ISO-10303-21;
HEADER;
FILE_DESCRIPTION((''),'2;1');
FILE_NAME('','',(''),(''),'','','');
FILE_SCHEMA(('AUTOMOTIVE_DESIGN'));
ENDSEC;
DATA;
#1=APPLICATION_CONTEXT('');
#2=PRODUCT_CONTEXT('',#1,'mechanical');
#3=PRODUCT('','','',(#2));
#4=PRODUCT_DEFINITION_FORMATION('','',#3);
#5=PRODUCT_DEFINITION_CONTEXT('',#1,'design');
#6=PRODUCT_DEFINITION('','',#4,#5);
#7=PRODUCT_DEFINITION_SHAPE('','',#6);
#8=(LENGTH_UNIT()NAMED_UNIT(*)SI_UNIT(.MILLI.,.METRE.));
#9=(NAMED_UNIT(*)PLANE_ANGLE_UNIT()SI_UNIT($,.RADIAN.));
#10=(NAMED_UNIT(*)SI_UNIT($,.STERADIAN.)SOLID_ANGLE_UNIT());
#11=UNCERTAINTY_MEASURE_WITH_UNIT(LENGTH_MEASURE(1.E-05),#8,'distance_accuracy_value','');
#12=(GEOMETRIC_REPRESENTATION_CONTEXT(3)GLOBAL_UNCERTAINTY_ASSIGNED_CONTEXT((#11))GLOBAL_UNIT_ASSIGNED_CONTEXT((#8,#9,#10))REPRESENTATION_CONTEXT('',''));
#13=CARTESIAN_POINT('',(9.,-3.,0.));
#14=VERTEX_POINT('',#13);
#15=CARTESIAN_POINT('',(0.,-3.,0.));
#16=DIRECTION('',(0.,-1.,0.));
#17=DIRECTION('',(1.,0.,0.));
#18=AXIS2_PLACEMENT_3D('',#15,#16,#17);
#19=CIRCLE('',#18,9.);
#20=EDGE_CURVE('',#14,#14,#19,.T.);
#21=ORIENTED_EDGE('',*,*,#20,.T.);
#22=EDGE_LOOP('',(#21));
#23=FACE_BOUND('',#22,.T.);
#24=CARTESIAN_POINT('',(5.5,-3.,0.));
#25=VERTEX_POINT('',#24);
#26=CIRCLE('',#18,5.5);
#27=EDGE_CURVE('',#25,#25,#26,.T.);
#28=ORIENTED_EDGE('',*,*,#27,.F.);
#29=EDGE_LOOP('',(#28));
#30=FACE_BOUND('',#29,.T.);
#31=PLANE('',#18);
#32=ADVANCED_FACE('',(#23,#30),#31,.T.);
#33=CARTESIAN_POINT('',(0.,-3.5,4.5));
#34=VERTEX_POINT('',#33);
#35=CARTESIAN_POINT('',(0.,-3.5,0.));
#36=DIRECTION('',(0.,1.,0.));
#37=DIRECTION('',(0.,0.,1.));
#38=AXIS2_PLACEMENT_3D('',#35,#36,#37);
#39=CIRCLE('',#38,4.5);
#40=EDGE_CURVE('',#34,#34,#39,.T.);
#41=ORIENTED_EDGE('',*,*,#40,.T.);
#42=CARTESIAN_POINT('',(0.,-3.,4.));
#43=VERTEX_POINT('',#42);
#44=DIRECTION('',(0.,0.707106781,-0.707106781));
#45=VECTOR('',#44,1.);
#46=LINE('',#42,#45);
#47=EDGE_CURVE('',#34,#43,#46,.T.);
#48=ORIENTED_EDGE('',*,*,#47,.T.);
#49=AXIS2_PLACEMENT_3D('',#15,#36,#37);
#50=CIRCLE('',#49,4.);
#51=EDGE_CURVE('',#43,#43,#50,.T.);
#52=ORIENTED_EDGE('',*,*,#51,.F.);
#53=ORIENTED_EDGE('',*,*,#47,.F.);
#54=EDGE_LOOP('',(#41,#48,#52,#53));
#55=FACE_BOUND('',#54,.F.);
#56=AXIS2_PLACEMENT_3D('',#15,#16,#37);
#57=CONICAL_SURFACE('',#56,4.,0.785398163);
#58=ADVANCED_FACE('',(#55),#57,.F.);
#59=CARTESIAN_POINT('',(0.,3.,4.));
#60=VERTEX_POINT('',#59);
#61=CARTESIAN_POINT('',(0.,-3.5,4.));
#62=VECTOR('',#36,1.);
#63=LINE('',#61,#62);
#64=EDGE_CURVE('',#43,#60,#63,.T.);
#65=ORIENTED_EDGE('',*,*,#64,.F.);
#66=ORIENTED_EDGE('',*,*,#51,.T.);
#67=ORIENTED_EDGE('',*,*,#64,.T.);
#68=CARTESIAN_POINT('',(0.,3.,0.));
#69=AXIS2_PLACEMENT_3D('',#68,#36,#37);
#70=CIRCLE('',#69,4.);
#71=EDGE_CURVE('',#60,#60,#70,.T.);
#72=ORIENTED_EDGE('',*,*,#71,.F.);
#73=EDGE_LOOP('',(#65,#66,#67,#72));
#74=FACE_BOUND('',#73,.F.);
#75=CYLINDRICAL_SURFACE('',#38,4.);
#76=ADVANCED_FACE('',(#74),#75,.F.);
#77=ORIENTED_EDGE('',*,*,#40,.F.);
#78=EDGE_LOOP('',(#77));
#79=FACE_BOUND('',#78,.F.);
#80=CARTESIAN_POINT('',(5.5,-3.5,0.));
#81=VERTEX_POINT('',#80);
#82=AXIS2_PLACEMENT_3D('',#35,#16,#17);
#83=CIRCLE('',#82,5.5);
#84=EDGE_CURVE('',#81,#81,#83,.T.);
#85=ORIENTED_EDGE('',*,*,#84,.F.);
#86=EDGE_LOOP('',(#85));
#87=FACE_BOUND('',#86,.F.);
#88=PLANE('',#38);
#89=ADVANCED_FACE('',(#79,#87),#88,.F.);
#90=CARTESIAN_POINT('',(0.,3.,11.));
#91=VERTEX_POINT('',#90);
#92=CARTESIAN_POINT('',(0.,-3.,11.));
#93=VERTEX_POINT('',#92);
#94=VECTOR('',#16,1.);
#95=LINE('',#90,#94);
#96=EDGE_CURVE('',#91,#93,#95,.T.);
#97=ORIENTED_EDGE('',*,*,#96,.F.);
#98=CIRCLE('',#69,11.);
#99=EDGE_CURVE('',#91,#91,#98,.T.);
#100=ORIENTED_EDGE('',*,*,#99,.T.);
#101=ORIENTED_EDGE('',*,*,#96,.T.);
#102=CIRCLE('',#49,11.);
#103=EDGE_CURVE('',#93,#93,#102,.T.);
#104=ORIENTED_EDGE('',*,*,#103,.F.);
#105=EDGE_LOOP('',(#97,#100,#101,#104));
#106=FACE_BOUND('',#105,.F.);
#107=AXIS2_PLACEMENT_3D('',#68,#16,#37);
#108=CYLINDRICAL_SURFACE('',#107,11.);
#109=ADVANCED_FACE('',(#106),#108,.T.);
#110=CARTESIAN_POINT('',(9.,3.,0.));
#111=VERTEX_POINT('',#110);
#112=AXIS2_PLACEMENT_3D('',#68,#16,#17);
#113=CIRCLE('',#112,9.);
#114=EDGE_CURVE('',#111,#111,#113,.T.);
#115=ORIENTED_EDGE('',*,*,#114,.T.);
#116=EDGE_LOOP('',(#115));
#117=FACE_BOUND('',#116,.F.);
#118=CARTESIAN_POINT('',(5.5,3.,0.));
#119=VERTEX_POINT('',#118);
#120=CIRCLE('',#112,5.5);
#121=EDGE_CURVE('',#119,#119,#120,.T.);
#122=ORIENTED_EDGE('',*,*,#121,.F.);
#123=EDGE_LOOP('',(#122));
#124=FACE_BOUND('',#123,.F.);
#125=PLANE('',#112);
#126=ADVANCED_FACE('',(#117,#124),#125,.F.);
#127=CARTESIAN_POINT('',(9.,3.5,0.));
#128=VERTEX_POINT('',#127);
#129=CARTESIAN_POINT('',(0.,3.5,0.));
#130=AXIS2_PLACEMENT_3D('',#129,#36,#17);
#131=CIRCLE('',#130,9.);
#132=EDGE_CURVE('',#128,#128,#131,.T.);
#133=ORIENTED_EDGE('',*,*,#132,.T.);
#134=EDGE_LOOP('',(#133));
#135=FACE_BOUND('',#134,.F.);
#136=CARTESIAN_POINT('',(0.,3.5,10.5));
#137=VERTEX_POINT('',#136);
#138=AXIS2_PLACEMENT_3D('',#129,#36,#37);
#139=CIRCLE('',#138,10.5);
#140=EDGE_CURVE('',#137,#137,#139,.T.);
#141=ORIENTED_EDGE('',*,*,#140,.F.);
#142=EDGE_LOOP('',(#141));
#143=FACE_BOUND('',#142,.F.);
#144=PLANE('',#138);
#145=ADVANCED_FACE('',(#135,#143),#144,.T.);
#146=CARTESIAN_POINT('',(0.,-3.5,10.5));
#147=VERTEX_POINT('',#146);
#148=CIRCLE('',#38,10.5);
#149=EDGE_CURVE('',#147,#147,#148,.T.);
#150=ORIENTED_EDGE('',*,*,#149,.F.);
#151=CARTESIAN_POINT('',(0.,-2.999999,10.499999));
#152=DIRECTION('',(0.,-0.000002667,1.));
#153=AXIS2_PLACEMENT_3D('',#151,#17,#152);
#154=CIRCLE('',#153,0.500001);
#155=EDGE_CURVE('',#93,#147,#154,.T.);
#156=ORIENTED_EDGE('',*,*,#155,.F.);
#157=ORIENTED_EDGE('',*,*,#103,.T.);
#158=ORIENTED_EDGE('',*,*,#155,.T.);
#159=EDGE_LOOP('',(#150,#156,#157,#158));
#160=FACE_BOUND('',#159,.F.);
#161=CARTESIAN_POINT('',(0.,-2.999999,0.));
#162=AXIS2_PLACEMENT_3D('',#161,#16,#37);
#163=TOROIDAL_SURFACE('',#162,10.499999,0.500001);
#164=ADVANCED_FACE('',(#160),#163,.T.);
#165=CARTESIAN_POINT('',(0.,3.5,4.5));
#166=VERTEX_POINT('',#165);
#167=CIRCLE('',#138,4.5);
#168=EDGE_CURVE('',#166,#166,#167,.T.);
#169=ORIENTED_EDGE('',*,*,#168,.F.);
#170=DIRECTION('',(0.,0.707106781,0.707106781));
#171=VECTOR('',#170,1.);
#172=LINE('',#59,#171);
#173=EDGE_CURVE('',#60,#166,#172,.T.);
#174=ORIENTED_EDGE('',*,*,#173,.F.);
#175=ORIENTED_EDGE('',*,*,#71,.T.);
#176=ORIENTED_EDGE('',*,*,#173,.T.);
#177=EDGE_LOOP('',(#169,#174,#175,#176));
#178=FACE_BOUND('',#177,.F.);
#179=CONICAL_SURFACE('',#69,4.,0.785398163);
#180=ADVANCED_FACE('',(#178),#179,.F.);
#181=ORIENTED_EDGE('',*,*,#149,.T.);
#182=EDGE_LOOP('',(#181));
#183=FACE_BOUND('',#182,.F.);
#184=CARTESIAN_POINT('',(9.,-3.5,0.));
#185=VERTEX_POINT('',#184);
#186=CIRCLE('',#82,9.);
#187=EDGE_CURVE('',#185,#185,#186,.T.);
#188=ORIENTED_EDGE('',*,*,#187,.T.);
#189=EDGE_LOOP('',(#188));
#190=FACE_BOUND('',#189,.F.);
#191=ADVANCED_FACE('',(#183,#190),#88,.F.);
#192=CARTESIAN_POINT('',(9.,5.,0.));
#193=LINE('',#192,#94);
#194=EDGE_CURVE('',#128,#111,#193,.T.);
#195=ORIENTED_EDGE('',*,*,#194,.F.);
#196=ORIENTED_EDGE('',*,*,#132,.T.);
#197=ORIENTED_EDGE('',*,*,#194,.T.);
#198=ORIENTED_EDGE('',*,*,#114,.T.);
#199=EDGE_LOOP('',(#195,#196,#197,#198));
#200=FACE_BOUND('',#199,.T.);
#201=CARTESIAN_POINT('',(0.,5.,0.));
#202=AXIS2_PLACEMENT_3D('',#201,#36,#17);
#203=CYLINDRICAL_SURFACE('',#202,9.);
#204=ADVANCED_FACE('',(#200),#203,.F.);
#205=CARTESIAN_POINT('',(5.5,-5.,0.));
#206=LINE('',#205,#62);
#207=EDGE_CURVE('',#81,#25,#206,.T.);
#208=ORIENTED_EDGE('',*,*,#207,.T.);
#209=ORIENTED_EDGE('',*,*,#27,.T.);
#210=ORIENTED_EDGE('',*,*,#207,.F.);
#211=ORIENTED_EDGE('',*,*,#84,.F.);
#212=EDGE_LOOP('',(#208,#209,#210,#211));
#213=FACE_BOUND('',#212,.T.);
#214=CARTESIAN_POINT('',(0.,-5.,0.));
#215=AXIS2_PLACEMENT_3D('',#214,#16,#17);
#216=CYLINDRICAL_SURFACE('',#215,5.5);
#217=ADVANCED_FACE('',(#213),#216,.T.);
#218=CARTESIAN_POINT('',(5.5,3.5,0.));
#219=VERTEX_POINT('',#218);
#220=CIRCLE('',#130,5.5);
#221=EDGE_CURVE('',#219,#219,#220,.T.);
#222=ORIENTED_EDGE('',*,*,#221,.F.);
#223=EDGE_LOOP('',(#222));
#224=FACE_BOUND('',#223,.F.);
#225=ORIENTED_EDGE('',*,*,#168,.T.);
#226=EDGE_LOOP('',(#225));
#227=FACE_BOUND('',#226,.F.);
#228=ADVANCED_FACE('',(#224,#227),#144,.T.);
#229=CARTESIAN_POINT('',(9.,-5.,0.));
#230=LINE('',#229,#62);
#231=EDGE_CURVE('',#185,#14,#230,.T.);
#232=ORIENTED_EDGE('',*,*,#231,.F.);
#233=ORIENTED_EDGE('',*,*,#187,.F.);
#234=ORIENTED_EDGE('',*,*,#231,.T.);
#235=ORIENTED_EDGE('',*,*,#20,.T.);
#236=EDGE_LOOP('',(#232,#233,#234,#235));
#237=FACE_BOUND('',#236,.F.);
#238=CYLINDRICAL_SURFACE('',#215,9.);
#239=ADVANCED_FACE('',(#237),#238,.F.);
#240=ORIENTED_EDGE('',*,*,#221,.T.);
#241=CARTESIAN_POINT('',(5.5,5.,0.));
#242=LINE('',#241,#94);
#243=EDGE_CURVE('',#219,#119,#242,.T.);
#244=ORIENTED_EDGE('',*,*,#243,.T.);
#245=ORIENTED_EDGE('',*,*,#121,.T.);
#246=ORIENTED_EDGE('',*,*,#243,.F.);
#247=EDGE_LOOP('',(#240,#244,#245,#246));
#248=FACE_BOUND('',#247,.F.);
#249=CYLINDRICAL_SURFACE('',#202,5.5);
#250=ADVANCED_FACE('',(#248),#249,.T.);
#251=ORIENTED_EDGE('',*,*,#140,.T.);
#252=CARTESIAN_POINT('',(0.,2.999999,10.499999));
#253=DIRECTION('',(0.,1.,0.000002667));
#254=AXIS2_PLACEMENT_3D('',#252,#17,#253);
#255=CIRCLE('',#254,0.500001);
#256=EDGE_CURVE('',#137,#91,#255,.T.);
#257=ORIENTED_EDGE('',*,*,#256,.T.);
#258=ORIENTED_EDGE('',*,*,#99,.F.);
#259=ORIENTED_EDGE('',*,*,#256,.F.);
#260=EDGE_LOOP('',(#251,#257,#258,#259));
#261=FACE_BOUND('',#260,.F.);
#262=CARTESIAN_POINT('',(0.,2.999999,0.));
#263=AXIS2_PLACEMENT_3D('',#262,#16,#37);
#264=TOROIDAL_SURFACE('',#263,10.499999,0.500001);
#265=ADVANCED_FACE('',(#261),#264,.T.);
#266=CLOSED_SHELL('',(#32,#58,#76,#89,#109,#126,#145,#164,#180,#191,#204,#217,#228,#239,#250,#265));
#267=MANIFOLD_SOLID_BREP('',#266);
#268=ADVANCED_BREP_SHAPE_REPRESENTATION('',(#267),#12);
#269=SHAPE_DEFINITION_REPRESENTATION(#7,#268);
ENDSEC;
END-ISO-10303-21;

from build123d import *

# Parameters (mm, degrees)
F2_SIZE  = 0.5
F5_R     = 9
F5_R_2   = 5.5
F6_DEPTH = 2
F7_R     = 9
F7_R_2   = 5.5
F8_DEPTH = 2


with BuildPart() as f1:
    # F0 (on Right) → F1 (revolve)
    with BuildSketch(Plane.YZ):
        with BuildLine():
            Line((-3.5, 10.5), (-3.5, 4))
            Line((-3.5, 4), (3.5, 4))
            Line((3.5, 4), (3.5, 10.5))
            ThreePointArc((3.5, 10.5), (3.353553, 10.853553), (3, 11))
            Line((3, 11), (-3, 11))
            ThreePointArc((-3, 11), (-3.353553, 10.853553), (-3.5, 10.5))
        make_face()
    revolve(axis=Axis((0, 1.946479, 0), (0, 1, 0)))

    # F2
    f2_edges = [f1.edges().sort_by_distance(p)[0] for p in [
        (0, 3.5, -4),
        (0, -3.5, -4),
    ]]
    chamfer(f2_edges, length=F2_SIZE)

    # F5 (on offset) → F6 (cut)
    with BuildSketch(Plane.XZ.offset(-5)):
        Circle(F5_R)
        Circle(F5_R_2, mode=Mode.SUBTRACT)
    extrude(amount=F6_DEPTH, mode=Mode.SUBTRACT)

    # F7 (on offset) → F8 (cut)
    with BuildSketch(Plane.XZ.offset(5)):
        Circle(F7_R)
        Circle(F7_R_2, mode=Mode.SUBTRACT)
    extrude(amount=-F8_DEPTH, mode=Mode.SUBTRACT)


solid = f1.part
